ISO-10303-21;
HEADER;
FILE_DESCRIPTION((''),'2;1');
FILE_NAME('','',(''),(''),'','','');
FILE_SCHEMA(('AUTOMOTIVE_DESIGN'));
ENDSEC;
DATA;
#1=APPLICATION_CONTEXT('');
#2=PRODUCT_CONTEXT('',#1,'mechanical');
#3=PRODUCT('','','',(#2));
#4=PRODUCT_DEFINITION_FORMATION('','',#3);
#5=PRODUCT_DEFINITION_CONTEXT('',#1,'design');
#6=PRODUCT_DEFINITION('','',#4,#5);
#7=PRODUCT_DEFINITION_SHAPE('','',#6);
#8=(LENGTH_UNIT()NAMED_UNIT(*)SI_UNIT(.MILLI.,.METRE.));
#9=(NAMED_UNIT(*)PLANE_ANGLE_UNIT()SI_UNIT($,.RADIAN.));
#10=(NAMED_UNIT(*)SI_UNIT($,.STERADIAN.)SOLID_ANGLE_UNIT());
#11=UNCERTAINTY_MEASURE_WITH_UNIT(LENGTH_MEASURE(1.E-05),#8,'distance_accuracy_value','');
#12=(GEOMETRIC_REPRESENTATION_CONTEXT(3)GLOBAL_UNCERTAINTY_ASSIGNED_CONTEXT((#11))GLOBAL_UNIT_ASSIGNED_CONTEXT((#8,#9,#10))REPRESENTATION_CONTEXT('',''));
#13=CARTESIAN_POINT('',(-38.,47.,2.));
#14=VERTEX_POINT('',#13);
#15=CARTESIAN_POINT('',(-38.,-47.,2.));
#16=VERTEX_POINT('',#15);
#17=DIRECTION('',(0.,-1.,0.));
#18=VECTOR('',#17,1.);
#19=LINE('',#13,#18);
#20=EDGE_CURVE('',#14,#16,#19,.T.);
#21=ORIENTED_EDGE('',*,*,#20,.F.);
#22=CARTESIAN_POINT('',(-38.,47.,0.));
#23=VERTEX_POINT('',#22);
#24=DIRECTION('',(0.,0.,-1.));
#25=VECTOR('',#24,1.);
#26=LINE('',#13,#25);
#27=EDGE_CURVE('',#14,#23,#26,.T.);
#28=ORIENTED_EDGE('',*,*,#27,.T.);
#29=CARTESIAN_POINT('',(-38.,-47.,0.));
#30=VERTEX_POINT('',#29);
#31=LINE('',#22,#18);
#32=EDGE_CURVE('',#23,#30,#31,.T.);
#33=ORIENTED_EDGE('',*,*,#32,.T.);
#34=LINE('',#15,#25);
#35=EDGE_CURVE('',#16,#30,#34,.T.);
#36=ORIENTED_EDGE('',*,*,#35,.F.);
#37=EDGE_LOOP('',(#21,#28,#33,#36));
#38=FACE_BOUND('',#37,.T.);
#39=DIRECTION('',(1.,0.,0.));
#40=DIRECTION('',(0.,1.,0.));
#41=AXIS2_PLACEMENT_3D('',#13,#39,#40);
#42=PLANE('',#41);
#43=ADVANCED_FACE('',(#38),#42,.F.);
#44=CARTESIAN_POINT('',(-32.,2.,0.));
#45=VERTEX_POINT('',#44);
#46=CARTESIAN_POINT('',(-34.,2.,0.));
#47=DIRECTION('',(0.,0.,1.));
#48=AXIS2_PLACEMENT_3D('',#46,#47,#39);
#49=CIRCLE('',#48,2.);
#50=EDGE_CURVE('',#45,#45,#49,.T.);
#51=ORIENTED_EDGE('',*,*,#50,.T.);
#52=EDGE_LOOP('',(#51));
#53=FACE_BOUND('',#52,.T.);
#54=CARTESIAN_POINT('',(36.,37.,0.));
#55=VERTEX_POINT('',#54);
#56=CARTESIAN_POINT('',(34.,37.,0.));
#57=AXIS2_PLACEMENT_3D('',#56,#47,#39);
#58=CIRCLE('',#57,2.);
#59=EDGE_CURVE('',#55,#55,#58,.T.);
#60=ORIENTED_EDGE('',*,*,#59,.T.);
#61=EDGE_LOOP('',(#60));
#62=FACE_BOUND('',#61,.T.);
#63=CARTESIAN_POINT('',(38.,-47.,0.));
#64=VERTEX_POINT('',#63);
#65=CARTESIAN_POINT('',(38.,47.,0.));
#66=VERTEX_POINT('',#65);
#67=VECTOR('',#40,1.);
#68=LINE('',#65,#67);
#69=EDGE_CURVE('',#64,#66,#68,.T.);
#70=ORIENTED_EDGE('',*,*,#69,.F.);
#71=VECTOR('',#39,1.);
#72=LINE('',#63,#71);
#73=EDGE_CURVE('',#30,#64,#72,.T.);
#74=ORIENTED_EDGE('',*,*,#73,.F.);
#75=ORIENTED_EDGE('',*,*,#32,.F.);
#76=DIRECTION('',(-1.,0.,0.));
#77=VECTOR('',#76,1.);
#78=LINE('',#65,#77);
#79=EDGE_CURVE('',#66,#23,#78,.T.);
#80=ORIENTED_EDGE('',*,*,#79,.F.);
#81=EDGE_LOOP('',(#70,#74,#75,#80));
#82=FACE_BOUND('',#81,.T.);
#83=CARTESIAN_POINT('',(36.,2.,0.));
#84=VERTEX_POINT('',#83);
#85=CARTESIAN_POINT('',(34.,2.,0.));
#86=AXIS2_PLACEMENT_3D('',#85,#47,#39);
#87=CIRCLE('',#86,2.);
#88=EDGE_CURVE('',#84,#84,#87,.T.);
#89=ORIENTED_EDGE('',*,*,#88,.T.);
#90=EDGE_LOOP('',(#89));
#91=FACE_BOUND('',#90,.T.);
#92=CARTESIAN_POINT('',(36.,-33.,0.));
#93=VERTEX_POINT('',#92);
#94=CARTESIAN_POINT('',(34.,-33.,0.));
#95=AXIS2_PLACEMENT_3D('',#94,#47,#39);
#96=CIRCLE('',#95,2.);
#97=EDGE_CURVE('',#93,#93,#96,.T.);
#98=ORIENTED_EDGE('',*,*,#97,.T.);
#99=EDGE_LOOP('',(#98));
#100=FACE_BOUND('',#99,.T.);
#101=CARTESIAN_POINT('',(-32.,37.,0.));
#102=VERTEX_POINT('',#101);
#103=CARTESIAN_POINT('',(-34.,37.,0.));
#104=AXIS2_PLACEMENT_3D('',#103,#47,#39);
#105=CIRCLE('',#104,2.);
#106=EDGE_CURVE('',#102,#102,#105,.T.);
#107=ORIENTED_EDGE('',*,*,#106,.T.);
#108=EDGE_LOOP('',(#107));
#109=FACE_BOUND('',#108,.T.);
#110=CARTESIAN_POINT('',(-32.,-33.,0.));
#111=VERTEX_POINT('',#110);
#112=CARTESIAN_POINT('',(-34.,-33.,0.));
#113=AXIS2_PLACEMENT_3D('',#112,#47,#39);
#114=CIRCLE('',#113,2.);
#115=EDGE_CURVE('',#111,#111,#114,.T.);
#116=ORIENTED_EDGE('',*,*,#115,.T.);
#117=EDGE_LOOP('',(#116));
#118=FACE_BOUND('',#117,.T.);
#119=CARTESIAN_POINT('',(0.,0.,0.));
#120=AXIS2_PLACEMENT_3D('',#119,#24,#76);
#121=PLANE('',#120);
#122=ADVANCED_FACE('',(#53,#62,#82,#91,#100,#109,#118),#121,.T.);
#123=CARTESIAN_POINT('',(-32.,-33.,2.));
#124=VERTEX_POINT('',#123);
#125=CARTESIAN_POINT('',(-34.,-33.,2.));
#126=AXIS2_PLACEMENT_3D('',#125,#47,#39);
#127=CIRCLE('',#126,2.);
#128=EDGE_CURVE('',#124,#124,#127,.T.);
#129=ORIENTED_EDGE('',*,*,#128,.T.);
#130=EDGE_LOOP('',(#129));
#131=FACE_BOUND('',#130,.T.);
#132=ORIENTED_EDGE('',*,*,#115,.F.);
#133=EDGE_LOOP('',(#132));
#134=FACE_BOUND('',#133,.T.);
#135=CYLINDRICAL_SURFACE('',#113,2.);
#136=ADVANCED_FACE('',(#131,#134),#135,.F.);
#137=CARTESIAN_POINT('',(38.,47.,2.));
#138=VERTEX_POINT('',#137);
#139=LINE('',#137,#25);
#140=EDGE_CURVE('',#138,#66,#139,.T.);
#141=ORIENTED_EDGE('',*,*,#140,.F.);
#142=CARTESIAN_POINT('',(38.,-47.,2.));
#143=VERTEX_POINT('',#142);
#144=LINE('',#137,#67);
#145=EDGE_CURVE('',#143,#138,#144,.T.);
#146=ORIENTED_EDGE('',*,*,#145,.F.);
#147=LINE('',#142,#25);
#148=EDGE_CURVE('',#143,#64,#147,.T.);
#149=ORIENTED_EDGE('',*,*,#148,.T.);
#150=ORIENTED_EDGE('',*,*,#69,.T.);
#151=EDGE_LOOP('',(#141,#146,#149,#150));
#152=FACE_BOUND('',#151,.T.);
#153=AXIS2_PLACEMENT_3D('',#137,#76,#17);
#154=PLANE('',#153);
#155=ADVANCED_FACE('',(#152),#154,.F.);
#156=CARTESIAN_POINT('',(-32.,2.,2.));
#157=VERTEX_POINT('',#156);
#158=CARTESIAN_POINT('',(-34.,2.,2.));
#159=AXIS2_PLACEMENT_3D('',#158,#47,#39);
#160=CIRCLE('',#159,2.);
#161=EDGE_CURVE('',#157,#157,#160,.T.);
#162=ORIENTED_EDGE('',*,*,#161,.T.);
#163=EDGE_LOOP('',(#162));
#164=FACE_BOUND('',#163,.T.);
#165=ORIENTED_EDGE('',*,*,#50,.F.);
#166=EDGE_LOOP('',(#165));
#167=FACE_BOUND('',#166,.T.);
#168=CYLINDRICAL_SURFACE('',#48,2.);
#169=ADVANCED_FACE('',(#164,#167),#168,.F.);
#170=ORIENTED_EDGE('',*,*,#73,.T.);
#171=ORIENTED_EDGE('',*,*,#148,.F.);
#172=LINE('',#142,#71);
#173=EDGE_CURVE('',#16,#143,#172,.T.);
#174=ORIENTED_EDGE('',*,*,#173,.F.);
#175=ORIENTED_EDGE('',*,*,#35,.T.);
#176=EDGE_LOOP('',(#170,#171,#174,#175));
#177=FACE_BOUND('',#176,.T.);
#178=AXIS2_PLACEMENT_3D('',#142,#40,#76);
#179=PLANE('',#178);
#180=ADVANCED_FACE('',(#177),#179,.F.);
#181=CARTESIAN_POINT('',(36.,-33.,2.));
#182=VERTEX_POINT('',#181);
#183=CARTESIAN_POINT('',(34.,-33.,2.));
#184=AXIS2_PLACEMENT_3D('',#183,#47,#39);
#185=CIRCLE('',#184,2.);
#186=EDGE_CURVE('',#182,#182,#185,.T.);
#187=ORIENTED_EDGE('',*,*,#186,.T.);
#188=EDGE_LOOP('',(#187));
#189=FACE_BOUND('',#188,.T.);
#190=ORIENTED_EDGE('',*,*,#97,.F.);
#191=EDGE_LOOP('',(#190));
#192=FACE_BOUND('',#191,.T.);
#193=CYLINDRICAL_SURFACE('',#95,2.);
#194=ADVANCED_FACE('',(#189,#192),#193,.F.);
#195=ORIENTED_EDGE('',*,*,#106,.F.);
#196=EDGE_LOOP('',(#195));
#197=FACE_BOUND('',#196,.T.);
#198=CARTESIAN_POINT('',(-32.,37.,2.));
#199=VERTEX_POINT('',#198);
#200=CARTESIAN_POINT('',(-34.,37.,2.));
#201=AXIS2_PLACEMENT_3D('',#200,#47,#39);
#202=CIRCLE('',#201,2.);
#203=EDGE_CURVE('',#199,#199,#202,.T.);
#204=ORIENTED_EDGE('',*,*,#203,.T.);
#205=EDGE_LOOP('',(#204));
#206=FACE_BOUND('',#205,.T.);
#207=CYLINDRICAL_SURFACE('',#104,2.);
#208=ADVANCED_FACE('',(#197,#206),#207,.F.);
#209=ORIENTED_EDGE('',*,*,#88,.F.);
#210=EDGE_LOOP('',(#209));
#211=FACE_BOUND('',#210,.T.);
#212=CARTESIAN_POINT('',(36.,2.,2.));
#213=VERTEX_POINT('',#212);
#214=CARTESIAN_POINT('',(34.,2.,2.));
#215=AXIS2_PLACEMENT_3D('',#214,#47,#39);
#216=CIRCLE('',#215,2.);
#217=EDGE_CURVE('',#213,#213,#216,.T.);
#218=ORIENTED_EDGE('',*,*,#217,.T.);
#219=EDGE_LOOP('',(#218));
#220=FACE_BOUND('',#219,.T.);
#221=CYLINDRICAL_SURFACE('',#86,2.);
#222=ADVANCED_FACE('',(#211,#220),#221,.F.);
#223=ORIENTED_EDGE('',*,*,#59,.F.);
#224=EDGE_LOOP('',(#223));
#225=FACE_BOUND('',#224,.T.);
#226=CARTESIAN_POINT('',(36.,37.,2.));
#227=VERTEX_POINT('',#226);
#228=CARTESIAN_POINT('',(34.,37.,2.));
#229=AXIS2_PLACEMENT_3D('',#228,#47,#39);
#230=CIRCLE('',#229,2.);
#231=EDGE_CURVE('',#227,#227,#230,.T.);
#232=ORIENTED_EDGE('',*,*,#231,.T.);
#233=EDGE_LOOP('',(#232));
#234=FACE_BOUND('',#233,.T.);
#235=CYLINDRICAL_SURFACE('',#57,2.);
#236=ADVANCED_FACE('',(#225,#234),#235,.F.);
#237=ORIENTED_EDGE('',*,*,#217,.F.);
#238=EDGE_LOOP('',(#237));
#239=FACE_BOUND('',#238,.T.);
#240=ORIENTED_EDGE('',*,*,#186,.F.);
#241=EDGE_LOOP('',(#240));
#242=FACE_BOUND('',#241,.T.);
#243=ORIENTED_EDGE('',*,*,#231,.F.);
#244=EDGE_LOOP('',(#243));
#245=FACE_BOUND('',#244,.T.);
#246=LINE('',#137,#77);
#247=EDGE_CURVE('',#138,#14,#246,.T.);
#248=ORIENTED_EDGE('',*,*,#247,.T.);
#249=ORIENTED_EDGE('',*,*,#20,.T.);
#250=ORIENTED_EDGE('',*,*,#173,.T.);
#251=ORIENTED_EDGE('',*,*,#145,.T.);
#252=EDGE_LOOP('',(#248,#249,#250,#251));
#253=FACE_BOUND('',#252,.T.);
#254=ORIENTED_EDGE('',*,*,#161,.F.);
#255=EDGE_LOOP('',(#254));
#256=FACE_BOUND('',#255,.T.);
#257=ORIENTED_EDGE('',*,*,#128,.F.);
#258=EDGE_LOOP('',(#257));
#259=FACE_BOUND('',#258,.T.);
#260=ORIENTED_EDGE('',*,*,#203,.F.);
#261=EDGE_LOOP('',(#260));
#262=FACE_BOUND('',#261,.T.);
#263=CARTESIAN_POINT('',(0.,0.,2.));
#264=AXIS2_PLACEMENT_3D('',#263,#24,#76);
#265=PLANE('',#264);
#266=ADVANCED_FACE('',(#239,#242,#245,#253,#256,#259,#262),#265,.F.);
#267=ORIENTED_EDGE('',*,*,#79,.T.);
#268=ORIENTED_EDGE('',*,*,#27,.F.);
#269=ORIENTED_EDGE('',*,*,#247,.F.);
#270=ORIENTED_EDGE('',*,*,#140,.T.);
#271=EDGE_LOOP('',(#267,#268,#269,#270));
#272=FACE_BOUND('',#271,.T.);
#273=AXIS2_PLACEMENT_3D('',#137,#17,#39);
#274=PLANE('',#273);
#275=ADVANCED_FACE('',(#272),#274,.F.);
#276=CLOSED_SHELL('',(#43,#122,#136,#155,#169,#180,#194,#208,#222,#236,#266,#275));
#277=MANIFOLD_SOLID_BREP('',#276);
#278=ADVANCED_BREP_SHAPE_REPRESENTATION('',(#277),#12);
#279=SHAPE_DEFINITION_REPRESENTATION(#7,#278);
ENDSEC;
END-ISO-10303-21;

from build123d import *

# Parameters (mm, degrees)
SZKIC1_W                    = 76
SZKIC1_H                    = 94
DODANIE_WYCI_GNI_CIE1_DEPTH = 2
SZKIC2_R                    = 2
WYTNIJ_WYCI_GNI_CIE1_DEPTH  = 2


with BuildPart() as part:
    # Szkic1 → Dodanie-wyciągnięcie1 (new body)
    with BuildSketch(Plane.XY):
        Rectangle(SZKIC1_W, SZKIC1_H)
    extrude(amount=DODANIE_WYCI_GNI_CIE1_DEPTH)

    # Szkic2 → Wytnij-wyciągnięcie1 (cut)
    with BuildSketch(Plane.XY.offset(2)):
        with Locations((34, 37)):
            Circle(SZKIC2_R)
        with Locations((34, 2)):
            Circle(SZKIC2_R)
        with Locations((34, -33)):
            Circle(SZKIC2_R)
        with Locations((-34, -33)):
            Circle(SZKIC2_R)
        with Locations((-34, 2)):
            Circle(SZKIC2_R)
        with Locations((-34, 37)):
            Circle(SZKIC2_R)
    extrude(amount=-WYTNIJ_WYCI_GNI_CIE1_DEPTH, mode=Mode.SUBTRACT)


solid = part.part
